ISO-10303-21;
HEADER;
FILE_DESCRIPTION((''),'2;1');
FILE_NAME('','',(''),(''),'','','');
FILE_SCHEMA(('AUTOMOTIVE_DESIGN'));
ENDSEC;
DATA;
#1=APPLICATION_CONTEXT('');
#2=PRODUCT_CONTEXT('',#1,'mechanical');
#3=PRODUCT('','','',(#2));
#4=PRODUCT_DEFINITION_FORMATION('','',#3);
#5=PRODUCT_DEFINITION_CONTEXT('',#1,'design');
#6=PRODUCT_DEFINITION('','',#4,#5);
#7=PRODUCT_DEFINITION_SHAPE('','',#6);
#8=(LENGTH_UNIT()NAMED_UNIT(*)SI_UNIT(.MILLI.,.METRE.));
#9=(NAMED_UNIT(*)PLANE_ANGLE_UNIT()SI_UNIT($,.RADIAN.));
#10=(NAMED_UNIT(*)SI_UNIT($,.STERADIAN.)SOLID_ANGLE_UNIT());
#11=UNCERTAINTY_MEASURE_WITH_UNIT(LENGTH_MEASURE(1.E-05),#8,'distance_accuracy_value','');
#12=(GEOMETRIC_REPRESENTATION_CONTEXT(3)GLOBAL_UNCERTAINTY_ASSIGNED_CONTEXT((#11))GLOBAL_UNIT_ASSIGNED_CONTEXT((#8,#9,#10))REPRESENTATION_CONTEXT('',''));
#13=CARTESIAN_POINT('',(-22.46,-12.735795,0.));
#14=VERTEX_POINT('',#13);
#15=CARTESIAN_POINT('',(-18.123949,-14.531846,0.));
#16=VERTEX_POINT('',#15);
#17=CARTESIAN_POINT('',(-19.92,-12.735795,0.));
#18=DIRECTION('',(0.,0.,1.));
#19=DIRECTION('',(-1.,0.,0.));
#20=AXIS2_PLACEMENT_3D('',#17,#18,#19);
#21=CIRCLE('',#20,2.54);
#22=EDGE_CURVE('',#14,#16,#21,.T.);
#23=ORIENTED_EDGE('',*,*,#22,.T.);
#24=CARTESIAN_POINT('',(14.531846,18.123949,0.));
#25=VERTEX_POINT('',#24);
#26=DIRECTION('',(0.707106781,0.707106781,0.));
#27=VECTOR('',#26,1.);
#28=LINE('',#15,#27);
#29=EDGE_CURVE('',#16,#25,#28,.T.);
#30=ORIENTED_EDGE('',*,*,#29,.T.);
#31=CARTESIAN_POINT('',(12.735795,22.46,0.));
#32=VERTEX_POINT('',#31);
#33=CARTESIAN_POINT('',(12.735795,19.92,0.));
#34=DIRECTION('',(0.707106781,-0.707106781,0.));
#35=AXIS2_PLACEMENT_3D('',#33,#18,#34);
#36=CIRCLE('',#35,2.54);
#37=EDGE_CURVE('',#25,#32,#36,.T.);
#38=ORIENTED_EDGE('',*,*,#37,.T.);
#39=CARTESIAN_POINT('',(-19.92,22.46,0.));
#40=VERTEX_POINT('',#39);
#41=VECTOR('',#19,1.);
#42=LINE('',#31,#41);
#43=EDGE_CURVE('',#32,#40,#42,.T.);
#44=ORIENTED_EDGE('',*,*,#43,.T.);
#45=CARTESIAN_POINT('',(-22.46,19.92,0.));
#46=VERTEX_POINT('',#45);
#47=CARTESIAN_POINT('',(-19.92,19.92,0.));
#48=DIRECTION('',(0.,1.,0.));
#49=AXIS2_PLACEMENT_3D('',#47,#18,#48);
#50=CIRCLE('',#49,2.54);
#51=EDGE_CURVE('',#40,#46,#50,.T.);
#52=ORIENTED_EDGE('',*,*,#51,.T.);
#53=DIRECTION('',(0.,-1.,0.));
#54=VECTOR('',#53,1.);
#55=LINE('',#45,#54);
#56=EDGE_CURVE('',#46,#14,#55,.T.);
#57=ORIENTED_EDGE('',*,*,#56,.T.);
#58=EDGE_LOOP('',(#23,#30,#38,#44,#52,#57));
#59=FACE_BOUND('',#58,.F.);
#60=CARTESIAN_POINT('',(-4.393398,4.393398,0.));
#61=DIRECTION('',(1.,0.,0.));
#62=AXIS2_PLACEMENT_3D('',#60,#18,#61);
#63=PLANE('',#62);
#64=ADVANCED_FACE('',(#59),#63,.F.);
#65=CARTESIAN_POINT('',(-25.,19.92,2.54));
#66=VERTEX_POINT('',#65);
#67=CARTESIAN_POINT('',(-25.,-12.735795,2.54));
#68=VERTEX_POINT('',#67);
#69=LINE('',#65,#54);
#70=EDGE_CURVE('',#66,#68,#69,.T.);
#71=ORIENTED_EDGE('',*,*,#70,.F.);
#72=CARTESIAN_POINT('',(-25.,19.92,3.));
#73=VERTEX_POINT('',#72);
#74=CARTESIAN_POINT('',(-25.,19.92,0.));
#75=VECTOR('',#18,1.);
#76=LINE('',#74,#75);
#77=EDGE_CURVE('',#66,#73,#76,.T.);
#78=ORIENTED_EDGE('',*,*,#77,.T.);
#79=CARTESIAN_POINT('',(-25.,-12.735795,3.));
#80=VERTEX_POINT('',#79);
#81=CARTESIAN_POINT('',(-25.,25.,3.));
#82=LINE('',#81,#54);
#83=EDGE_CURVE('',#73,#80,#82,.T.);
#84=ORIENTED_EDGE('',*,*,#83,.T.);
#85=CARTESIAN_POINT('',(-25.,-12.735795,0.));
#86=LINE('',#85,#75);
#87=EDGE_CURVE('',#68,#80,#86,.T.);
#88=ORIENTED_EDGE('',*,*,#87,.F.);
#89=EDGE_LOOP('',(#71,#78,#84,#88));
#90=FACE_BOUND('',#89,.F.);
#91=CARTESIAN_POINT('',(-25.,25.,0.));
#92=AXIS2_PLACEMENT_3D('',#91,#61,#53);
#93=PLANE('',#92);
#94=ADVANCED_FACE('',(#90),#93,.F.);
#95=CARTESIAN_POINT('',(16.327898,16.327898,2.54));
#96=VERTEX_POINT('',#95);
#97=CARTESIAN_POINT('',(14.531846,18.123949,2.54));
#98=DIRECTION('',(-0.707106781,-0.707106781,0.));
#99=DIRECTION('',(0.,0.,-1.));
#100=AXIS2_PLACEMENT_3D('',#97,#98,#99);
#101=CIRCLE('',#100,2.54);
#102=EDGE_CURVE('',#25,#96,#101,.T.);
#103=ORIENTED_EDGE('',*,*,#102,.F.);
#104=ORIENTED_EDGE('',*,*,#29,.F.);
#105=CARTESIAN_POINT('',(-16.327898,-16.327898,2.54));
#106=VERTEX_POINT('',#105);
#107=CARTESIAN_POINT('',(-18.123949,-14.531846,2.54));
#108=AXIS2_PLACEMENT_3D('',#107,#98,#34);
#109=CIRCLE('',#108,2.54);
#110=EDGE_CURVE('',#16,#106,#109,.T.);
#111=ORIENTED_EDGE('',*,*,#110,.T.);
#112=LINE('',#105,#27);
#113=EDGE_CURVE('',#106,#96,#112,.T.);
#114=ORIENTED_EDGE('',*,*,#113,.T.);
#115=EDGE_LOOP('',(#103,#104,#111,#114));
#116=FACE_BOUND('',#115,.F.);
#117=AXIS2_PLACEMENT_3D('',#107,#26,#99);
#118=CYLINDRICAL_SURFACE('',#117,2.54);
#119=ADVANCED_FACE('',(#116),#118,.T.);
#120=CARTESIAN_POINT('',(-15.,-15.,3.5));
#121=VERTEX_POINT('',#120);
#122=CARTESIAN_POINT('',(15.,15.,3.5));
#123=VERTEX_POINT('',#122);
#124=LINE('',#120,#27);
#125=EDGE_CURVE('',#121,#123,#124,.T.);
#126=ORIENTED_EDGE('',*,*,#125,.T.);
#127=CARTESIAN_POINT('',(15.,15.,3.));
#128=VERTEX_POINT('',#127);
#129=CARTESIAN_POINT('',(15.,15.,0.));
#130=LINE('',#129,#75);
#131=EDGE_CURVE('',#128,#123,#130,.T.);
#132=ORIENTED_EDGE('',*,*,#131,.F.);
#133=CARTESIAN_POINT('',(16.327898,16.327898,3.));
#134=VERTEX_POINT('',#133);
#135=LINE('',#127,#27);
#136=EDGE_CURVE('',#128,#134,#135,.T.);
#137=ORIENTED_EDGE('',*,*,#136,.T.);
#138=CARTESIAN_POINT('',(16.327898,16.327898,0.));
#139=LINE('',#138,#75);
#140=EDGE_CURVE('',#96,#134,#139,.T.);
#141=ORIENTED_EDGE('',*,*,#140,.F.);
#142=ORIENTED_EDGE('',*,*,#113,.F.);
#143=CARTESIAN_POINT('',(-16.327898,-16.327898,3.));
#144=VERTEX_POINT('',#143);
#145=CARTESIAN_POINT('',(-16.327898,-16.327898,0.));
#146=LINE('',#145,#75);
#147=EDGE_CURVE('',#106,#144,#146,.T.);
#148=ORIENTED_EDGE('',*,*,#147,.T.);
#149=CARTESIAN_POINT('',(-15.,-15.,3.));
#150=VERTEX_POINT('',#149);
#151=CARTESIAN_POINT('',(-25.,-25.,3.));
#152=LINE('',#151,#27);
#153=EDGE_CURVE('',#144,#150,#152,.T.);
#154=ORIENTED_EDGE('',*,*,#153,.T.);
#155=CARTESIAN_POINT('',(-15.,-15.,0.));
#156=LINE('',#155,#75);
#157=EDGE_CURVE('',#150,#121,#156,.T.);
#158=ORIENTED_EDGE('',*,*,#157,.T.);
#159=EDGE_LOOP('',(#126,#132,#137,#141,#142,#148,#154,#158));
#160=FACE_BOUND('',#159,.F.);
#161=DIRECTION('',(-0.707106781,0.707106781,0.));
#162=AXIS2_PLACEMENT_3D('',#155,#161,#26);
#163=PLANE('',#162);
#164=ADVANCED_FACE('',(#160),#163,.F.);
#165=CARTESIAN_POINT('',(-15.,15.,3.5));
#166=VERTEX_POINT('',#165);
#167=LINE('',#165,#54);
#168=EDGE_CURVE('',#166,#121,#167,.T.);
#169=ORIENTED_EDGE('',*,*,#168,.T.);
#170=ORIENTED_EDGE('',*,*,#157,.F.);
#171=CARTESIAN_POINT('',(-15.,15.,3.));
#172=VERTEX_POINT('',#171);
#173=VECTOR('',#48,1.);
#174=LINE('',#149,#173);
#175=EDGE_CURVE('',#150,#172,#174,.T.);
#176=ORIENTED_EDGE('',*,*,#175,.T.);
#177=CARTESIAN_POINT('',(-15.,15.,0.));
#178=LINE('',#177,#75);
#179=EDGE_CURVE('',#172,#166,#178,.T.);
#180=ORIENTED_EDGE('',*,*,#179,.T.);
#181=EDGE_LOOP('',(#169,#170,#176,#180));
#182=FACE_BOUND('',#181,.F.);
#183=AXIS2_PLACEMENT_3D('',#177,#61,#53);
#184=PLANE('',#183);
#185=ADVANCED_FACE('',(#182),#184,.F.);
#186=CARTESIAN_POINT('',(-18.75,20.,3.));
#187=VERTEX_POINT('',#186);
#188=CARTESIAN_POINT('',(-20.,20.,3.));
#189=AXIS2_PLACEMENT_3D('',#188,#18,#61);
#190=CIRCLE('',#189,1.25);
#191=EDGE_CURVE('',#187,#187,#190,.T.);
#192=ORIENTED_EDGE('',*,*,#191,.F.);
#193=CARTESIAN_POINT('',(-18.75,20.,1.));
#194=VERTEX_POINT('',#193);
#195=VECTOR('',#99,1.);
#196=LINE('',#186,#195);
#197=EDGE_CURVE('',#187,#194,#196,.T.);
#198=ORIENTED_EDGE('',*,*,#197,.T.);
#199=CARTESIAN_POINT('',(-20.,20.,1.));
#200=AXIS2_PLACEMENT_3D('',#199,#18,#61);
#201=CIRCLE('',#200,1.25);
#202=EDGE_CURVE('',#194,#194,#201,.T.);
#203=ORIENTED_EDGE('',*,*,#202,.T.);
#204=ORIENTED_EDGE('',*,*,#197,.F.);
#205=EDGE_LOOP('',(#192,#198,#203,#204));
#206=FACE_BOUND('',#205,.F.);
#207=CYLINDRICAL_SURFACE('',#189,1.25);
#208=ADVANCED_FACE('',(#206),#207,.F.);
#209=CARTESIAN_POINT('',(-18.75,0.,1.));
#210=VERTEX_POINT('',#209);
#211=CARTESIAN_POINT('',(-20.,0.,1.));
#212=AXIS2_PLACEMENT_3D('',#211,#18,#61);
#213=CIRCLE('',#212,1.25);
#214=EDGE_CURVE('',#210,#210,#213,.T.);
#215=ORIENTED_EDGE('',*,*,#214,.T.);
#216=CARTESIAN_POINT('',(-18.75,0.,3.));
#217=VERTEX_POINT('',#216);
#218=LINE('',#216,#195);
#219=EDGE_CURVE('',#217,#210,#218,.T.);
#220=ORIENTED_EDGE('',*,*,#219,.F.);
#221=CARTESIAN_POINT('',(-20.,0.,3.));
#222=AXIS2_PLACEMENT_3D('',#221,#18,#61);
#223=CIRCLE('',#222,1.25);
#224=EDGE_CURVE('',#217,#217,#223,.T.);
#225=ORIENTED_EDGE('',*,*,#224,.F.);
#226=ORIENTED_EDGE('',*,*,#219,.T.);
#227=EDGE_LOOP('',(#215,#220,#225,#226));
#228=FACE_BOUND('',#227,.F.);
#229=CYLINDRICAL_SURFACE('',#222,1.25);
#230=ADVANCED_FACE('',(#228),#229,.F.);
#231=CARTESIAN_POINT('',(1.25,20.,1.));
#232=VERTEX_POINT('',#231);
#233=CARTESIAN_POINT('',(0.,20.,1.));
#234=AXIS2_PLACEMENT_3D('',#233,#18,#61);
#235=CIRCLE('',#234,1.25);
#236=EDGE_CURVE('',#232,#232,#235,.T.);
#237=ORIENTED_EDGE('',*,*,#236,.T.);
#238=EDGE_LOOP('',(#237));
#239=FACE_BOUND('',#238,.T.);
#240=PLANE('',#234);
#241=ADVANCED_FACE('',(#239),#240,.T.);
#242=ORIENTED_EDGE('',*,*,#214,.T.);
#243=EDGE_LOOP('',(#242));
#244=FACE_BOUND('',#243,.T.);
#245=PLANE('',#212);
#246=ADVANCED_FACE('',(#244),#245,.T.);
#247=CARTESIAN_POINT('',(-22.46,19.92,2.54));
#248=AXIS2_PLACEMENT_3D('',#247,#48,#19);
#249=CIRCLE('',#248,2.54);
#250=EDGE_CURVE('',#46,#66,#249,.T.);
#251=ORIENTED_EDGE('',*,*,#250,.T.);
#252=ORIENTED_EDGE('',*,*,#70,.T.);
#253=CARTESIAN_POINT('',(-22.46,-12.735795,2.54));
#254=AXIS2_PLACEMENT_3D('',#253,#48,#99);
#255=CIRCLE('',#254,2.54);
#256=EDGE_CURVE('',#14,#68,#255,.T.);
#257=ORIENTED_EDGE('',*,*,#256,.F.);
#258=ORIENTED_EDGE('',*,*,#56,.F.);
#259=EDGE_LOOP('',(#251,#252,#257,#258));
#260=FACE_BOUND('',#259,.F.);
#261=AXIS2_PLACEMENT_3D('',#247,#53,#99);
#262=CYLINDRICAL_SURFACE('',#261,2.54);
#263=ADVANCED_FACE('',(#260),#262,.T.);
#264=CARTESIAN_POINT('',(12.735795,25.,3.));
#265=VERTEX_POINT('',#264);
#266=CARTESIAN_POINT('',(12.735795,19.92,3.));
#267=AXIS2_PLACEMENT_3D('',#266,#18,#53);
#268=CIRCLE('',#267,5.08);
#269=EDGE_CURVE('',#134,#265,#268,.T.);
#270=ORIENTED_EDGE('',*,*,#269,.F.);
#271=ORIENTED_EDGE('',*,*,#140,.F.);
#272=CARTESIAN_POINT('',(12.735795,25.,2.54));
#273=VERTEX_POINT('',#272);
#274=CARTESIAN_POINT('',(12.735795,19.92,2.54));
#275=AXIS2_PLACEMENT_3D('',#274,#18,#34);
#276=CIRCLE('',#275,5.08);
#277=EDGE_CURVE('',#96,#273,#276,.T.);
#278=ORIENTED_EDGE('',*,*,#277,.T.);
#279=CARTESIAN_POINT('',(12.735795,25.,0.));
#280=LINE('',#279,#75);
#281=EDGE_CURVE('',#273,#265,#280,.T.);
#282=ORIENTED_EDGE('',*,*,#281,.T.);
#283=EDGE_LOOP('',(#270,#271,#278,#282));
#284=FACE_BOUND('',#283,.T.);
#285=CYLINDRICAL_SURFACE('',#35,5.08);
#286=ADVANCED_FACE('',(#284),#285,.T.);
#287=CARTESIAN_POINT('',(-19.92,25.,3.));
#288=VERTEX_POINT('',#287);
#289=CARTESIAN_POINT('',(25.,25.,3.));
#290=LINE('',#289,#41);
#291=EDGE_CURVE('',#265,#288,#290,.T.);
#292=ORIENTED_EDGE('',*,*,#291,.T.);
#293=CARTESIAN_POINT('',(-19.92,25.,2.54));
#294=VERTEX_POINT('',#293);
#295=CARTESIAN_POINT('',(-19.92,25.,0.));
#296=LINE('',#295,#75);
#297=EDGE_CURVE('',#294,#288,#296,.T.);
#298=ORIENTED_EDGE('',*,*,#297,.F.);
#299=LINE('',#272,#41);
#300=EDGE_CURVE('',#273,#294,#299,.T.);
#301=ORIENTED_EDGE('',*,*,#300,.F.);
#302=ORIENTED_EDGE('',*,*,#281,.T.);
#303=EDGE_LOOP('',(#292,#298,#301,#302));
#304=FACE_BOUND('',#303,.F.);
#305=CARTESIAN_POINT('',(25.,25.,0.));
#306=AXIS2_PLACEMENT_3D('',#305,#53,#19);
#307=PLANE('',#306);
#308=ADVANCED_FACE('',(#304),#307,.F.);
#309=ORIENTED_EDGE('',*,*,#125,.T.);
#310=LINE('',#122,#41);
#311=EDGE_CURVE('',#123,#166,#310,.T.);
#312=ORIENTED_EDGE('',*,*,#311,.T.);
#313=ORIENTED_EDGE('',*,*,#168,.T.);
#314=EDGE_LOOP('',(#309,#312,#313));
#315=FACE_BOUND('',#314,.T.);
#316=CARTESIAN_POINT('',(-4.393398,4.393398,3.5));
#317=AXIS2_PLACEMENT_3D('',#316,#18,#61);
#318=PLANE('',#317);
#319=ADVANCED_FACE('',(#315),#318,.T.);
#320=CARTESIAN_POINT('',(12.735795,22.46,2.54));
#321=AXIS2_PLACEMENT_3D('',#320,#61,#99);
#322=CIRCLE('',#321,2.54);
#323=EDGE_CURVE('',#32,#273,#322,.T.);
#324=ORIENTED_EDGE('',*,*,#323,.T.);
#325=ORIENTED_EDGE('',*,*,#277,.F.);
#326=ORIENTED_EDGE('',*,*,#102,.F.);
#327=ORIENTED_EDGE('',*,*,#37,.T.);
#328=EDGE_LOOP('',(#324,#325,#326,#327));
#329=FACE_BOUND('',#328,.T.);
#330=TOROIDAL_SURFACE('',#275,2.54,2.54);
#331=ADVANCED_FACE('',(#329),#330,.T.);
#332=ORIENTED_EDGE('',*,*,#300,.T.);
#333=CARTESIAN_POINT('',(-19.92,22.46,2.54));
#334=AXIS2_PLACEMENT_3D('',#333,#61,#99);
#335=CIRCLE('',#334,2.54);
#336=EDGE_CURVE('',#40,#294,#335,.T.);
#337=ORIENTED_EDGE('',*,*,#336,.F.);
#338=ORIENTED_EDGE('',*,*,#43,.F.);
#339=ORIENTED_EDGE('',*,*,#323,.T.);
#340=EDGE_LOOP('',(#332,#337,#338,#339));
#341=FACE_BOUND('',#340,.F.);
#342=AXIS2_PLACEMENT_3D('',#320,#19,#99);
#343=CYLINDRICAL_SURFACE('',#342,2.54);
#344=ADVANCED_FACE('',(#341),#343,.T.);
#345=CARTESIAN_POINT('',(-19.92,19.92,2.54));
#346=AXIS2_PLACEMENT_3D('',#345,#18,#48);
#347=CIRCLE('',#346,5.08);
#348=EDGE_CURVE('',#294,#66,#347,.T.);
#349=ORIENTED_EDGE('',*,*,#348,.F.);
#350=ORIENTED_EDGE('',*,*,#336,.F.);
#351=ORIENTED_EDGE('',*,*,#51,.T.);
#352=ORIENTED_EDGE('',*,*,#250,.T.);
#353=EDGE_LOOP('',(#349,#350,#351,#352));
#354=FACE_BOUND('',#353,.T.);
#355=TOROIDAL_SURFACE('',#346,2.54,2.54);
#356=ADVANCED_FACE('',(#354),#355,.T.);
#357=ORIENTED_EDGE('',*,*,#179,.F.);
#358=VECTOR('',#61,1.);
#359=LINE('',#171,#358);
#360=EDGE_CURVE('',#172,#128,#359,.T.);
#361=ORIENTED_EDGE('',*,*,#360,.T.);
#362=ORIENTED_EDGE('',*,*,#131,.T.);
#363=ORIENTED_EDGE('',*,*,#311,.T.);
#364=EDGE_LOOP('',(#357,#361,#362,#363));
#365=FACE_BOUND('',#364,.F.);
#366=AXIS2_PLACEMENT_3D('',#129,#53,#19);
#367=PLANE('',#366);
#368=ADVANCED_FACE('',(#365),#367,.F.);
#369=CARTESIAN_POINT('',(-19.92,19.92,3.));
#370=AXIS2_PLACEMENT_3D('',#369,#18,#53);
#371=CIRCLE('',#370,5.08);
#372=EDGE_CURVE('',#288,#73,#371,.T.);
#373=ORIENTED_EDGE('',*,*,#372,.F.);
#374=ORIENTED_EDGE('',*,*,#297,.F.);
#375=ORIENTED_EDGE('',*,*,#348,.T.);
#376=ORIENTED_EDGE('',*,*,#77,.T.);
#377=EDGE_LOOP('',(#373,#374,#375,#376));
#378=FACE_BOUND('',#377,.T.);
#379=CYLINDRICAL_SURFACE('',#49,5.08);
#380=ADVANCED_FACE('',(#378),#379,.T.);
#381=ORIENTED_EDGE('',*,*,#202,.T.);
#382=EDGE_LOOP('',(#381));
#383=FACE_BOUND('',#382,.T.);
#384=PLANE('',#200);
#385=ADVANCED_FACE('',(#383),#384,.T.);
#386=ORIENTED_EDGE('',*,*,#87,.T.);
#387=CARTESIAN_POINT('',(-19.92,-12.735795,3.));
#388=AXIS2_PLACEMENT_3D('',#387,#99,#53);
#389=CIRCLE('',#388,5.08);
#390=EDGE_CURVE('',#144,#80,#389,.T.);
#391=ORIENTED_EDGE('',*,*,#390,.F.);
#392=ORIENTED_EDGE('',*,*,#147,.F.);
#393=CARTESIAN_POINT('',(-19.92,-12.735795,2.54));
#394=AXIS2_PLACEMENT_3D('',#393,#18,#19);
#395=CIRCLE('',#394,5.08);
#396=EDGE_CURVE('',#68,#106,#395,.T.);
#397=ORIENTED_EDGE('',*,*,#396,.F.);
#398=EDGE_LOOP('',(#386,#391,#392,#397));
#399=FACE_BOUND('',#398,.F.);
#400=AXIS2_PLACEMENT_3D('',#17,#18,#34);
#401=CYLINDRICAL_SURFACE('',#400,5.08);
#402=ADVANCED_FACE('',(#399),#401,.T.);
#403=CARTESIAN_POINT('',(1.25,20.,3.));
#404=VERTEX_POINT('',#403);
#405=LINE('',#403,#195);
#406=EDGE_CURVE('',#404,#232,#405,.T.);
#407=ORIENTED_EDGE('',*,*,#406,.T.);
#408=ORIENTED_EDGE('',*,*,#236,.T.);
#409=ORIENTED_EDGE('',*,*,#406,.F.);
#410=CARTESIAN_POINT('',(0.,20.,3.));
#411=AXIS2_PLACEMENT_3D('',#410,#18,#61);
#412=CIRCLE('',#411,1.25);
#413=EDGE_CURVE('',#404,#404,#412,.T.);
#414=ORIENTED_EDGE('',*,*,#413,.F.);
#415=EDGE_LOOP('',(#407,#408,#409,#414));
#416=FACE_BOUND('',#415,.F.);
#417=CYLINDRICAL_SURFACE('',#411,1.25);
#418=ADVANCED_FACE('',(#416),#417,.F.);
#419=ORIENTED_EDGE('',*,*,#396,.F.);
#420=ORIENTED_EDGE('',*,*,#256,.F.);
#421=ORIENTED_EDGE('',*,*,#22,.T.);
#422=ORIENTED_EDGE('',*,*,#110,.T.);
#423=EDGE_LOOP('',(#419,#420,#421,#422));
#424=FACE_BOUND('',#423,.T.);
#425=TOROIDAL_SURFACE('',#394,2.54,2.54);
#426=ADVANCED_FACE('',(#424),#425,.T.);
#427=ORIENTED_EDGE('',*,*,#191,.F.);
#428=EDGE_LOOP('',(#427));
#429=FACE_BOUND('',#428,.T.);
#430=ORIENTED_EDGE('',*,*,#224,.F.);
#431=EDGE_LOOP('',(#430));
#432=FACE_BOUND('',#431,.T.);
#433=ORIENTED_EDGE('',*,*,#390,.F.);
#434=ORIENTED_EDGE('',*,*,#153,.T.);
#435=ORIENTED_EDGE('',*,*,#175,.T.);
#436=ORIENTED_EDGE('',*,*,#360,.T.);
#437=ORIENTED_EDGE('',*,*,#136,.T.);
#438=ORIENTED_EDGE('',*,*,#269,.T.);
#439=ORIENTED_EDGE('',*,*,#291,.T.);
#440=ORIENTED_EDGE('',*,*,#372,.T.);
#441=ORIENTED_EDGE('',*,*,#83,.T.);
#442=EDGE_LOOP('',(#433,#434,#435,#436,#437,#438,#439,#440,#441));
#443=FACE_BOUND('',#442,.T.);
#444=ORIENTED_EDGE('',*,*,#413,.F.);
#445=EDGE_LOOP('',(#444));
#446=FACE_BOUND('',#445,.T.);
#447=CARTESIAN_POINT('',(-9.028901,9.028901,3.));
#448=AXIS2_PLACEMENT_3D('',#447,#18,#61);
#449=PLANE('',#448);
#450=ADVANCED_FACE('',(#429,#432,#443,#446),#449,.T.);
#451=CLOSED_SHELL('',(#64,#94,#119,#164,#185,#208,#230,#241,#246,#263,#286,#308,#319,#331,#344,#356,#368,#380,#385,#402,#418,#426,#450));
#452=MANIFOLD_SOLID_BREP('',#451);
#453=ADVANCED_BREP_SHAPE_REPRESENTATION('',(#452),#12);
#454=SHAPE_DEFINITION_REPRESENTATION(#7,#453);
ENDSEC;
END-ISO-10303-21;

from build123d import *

# Parameters (mm, degrees)
F1_DEPTH = 3
F2_DEPTH = 3.5
F3_R     = 1.25
F4_DEPTH = 2
F5_R     = 5.08
F6_R     = 2.54


with BuildPart() as f1:
    # F0 (on Top) → F1 (new body)
    with BuildSketch(Plane.XY):
        Polygon((15, 15), (25, 25), (-25, 25), (-25, -25), (-15, -15), (-15, 15), align=None)
    extrude(amount=F1_DEPTH)

    # F0 (on Top) → F2 (join)
    with BuildSketch(Plane.XY):
        Polygon((-15, -15), (15, 15), (-15, 15), align=None)
    extrude(amount=F2_DEPTH)

    # F3 (on face) → F4 (cut)
    with BuildSketch(Plane.XY.offset(3)):
        with Locations((-20, 20)):
            Circle(F3_R)
        with Locations((0, 20)):
            Circle(F3_R)
        with Locations((-20, 0)):
            Circle(F3_R)
    extrude(amount=-F4_DEPTH, mode=Mode.SUBTRACT)

    # F5
    f5_edges = [f1.edges().sort_by_distance(p)[0] for p in [
        (-25, 25, 1.5),
        (25, 25, 1.5),
        (-25, -25, 1.5),
    ]]
    fillet(f5_edges, radius=F5_R)

    # F6
    f6_edges = [f1.edges().sort_by_distance(p)[0] for p in [
        (-3.592102, 25, 0),
        (17.429103, 21.864032, 0),
        (-23.512102, 23.512102, 0),
        (0, 0, 0),
        (-25, 3.592102, 0),
        (-21.864032, -17.429103, 0),
    ]]
    fillet(f6_edges, radius=F6_R)


solid = f1.part
